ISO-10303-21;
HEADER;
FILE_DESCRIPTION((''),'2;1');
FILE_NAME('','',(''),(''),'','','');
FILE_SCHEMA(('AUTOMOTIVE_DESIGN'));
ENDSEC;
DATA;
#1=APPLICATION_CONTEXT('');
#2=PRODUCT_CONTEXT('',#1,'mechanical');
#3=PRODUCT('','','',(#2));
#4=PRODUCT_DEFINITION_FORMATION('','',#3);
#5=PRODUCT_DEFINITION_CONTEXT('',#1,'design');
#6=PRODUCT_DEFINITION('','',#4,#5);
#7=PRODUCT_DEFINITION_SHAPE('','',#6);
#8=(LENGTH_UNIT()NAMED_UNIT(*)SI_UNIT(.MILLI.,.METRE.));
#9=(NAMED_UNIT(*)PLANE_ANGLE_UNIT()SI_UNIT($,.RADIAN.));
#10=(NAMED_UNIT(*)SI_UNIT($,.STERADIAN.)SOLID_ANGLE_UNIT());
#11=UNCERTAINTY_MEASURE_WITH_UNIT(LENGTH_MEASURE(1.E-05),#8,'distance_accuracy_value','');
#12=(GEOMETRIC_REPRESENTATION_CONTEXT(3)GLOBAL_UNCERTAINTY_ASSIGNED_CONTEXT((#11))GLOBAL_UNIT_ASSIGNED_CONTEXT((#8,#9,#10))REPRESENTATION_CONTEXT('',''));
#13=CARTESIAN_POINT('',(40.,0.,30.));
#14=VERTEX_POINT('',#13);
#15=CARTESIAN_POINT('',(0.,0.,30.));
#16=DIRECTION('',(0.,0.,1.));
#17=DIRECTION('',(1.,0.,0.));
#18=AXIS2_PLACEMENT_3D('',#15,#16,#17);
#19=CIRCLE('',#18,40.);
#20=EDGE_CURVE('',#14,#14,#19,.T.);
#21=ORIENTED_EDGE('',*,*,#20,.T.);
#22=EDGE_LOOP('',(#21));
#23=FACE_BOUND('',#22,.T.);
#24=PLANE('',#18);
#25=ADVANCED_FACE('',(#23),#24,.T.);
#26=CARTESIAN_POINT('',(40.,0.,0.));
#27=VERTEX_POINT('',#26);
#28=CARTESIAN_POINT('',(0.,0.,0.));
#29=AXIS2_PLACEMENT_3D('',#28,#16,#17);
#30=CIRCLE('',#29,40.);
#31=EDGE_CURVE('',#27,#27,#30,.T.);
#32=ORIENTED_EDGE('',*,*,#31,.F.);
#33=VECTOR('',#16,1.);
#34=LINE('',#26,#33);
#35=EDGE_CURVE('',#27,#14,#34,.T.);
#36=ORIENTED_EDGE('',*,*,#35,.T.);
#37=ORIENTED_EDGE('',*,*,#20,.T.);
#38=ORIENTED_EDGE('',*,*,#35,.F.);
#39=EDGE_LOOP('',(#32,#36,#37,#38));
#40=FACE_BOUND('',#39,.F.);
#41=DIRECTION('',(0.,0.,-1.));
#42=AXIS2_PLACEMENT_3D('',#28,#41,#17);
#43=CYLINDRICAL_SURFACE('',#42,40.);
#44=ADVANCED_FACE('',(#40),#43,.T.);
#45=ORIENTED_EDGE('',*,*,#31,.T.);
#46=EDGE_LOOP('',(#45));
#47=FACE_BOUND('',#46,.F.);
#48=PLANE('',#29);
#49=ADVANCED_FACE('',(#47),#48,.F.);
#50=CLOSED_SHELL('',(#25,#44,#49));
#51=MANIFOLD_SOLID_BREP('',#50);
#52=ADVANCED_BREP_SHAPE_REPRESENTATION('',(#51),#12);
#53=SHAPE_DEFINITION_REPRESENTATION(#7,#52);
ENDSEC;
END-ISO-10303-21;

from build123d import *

# Parameters (mm, degrees)
SKETCH001_R  = 40
PAD001_DEPTH = 30


with BuildPart() as part:
    # Sketch001 → Pad001 (new body)
    with BuildSketch(Plane.XY):
        Circle(SKETCH001_R)
    extrude(amount=PAD001_DEPTH)


solid = part.part
